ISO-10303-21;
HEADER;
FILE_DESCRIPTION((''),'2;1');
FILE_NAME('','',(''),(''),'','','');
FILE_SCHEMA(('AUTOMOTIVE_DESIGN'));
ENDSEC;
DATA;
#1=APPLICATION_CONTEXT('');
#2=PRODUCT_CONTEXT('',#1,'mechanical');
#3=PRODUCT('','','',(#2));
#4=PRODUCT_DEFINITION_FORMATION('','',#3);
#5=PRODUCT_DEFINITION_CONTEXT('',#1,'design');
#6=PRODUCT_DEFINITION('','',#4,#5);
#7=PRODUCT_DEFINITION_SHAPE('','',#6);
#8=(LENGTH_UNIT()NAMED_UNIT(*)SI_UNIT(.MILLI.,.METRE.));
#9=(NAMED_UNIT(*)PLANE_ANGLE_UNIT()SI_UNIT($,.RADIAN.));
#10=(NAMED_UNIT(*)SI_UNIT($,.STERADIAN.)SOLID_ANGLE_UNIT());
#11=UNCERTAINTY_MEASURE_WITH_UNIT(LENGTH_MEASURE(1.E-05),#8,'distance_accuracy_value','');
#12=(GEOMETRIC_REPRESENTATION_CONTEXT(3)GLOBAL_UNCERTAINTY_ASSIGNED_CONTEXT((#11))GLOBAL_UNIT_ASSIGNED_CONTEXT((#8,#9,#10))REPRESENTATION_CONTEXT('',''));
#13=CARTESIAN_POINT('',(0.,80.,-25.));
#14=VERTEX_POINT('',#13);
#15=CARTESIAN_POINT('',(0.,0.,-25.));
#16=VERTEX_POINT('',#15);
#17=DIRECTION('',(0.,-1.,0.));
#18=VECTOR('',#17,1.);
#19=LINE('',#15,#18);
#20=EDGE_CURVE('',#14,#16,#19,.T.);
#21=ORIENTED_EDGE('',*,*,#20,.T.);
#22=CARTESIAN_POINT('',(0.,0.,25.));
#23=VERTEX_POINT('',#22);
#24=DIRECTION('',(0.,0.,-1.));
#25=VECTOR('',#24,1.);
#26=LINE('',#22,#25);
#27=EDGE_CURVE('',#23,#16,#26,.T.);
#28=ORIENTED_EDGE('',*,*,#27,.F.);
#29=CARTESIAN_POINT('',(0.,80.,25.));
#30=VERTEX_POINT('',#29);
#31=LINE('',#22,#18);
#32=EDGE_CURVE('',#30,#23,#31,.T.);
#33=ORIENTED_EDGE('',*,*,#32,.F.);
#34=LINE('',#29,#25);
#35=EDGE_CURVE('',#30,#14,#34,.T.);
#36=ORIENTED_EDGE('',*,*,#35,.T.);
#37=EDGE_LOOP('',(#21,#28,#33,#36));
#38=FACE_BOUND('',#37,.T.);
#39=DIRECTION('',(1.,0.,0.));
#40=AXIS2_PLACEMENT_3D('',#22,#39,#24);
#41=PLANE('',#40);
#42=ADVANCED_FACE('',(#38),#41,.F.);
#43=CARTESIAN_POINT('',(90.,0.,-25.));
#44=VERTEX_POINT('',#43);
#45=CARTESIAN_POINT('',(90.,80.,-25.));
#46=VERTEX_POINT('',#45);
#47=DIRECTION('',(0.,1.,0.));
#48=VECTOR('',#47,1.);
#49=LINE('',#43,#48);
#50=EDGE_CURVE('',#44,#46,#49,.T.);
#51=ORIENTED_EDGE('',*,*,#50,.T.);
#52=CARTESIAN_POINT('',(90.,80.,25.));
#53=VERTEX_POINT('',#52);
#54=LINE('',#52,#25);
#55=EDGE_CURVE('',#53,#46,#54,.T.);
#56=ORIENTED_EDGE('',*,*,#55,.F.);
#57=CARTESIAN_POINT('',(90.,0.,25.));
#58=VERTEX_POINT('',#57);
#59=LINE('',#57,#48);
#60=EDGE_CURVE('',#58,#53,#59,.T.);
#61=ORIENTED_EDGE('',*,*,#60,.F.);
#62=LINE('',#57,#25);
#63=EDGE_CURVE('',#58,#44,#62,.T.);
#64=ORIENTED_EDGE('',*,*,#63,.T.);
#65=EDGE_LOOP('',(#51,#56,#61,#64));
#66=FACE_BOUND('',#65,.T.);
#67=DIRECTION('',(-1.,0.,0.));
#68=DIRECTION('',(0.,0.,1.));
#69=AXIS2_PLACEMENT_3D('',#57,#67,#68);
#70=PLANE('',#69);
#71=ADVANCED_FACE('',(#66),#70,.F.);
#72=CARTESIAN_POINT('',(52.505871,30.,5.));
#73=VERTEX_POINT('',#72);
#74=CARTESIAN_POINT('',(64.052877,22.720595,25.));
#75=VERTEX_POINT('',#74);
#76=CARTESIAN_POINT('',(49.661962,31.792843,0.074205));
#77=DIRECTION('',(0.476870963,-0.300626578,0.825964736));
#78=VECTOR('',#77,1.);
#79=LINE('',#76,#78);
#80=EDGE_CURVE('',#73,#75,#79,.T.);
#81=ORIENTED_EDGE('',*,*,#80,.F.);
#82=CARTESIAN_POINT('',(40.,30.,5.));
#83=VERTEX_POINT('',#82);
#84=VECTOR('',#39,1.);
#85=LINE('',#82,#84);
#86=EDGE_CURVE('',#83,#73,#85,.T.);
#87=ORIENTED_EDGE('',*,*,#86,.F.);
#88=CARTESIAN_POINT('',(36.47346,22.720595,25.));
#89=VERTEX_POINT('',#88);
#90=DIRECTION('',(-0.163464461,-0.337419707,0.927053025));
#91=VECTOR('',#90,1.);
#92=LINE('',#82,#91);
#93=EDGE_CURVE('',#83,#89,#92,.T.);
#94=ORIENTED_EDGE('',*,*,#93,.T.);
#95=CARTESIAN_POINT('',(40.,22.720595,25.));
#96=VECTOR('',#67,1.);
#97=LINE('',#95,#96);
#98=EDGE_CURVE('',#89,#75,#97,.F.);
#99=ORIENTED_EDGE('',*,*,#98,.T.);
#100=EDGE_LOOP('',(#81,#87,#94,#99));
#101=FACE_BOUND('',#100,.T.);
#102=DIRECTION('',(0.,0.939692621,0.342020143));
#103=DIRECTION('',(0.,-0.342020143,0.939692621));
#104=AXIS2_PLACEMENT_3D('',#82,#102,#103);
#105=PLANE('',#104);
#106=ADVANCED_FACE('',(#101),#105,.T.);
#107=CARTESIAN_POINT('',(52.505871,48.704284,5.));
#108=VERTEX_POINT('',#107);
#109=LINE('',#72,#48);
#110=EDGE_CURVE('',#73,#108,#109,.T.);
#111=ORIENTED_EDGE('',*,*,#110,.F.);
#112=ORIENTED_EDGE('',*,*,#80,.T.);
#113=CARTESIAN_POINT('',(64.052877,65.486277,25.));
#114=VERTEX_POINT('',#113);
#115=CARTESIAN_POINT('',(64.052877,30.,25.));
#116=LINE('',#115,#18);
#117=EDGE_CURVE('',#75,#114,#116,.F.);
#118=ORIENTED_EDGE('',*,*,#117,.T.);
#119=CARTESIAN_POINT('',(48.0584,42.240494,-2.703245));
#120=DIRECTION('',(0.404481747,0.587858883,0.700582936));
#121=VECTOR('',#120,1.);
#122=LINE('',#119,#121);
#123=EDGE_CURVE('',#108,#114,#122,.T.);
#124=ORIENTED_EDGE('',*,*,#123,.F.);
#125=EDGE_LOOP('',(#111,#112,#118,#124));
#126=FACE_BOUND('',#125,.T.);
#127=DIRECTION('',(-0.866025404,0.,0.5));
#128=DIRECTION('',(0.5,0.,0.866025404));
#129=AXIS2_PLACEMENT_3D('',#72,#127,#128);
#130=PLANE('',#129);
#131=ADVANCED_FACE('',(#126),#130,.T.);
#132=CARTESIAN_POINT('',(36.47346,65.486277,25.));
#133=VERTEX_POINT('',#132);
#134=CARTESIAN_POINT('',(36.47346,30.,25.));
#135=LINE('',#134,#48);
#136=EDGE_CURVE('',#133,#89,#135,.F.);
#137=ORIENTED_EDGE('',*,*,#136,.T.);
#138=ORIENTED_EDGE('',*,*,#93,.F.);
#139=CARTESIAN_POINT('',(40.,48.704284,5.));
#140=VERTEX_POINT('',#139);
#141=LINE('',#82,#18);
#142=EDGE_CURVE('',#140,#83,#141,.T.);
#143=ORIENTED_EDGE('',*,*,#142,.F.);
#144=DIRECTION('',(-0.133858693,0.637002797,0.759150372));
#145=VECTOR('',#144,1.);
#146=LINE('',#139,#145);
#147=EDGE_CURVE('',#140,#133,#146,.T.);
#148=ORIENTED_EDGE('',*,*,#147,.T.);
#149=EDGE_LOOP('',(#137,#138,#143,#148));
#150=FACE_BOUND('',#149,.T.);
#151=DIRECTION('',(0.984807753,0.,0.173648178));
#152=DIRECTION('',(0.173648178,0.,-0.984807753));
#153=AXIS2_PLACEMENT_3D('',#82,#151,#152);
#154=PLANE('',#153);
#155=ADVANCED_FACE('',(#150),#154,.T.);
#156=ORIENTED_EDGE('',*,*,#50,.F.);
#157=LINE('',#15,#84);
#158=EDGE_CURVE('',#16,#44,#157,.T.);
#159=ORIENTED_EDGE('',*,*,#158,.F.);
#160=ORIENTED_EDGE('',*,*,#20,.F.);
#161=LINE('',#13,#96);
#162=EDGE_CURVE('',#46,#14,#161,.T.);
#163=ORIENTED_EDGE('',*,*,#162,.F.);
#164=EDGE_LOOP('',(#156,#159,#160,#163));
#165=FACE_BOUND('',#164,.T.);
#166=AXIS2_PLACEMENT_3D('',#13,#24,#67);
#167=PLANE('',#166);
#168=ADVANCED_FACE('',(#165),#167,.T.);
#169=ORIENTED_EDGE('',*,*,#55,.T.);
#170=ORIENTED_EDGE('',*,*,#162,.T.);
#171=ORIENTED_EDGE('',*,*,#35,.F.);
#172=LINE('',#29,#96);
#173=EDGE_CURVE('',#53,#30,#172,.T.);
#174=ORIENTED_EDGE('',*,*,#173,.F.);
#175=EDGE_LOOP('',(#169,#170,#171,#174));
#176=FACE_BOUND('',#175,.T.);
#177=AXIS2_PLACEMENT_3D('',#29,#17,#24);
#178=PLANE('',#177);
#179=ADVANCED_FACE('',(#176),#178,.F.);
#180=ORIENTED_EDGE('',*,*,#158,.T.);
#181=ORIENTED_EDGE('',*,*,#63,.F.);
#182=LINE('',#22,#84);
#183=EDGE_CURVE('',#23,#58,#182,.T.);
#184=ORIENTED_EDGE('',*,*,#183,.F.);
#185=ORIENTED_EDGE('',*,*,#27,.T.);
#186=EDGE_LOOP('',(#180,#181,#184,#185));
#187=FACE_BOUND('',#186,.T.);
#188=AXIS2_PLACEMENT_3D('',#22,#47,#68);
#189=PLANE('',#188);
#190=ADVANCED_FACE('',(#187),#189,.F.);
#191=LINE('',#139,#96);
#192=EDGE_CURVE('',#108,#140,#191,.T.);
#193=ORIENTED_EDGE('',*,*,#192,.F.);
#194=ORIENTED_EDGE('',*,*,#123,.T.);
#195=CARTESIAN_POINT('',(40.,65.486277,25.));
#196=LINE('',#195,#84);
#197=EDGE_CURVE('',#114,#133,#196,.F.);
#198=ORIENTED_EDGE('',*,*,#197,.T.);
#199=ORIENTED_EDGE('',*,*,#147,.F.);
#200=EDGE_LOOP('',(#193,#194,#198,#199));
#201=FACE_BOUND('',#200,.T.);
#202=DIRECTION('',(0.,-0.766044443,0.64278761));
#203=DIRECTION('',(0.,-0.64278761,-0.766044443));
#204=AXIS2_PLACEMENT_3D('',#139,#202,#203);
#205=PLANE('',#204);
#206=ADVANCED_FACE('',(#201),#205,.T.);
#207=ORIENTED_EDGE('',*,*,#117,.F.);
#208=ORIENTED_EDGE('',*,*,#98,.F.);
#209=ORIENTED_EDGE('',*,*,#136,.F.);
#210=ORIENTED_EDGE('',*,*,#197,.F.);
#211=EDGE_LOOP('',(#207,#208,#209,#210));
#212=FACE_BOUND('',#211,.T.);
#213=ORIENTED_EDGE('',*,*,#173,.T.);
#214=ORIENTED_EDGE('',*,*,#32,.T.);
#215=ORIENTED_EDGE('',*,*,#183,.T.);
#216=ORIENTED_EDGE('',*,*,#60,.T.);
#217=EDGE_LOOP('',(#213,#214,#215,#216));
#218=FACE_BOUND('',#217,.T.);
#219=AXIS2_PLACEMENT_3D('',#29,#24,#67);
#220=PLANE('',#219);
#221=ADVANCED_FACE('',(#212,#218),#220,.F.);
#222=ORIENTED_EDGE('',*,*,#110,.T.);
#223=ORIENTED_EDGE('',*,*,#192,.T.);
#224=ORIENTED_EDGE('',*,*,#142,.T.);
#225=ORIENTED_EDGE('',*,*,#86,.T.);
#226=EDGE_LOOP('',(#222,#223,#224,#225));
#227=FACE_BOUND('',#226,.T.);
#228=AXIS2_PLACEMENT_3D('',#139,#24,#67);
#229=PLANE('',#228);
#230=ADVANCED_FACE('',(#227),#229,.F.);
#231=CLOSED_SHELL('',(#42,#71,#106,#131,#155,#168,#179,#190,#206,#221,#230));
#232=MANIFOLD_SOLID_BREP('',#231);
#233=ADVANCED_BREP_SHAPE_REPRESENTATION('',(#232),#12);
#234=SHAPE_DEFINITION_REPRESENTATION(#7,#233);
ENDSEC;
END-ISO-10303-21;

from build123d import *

# Parameters (mm, degrees)
SKETCH1_W     = 90
SKETCH1_H     = 80
BASE_DEPTH    = 25
SKETCH2_W     = 12.505871318
SKETCH2_H     = 18.704284341
POCKET_DEPTH  = 20
DRAFT10_ANGLE = 10
DRAFT20_ANGLE = 20
DRAFT30_ANGLE = 30
DRAFT40_ANGLE = 40


with BuildPart() as part:
    # Sketch1 → Base (new body, symmetric)
    with BuildSketch(Plane.XY):
        with Locations((45, 40)):
            Rectangle(SKETCH1_W, SKETCH1_H)
    extrude(amount=BASE_DEPTH, both=True)

    # Sketch2 → Pocket (cut)
    with BuildSketch(Plane.XY.offset(25)):
        with Locations((46.252935659, 39.352142171)):
            Rectangle(SKETCH2_W, SKETCH2_H)
    extrude(amount=-POCKET_DEPTH, mode=Mode.SUBTRACT)

    # Draft10
    draft10_faces = [part.faces().sort_by_distance(p)[0] for p in [
        (40, 39.35214217, 15),
    ]]
    draft(draft10_faces, Plane(origin=(40, 48.704284341, 5), x_dir=(1, 0, 0), z_dir=(0, 0, 1)), DRAFT10_ANGLE)

    # Draft20
    draft20_faces = [part.faces().sort_by_distance(p)[0] for p in [
        (45.334985554, 30, 15.411907484),
    ]]
    draft(draft20_faces, Plane(origin=(40, 48.704284341, 5), x_dir=(1, 0, 0), z_dir=(0, 0, 1)), DRAFT20_ANGLE)

    # Draft30
    draft30_faces = [part.faces().sort_by_distance(p)[0] for p in [
        (52.505871318, 37.433476694, 15.542980146),
    ]]
    draft(draft30_faces, Plane(origin=(40, 48.704284341, 5), x_dir=(1, 0, 0), z_dir=(0, 0, 1)), DRAFT30_ANGLE)

    # Draft40
    draft40_faces = [part.faces().sort_by_distance(p)[0] for p in [
        (48.509384653, 48.704284341, 16.253456142),
    ]]
    draft(draft40_faces, Plane(origin=(40, 48.704284341, 5), x_dir=(1, 0, 0), z_dir=(0, 0, 1)), DRAFT40_ANGLE)


solid = part.part
